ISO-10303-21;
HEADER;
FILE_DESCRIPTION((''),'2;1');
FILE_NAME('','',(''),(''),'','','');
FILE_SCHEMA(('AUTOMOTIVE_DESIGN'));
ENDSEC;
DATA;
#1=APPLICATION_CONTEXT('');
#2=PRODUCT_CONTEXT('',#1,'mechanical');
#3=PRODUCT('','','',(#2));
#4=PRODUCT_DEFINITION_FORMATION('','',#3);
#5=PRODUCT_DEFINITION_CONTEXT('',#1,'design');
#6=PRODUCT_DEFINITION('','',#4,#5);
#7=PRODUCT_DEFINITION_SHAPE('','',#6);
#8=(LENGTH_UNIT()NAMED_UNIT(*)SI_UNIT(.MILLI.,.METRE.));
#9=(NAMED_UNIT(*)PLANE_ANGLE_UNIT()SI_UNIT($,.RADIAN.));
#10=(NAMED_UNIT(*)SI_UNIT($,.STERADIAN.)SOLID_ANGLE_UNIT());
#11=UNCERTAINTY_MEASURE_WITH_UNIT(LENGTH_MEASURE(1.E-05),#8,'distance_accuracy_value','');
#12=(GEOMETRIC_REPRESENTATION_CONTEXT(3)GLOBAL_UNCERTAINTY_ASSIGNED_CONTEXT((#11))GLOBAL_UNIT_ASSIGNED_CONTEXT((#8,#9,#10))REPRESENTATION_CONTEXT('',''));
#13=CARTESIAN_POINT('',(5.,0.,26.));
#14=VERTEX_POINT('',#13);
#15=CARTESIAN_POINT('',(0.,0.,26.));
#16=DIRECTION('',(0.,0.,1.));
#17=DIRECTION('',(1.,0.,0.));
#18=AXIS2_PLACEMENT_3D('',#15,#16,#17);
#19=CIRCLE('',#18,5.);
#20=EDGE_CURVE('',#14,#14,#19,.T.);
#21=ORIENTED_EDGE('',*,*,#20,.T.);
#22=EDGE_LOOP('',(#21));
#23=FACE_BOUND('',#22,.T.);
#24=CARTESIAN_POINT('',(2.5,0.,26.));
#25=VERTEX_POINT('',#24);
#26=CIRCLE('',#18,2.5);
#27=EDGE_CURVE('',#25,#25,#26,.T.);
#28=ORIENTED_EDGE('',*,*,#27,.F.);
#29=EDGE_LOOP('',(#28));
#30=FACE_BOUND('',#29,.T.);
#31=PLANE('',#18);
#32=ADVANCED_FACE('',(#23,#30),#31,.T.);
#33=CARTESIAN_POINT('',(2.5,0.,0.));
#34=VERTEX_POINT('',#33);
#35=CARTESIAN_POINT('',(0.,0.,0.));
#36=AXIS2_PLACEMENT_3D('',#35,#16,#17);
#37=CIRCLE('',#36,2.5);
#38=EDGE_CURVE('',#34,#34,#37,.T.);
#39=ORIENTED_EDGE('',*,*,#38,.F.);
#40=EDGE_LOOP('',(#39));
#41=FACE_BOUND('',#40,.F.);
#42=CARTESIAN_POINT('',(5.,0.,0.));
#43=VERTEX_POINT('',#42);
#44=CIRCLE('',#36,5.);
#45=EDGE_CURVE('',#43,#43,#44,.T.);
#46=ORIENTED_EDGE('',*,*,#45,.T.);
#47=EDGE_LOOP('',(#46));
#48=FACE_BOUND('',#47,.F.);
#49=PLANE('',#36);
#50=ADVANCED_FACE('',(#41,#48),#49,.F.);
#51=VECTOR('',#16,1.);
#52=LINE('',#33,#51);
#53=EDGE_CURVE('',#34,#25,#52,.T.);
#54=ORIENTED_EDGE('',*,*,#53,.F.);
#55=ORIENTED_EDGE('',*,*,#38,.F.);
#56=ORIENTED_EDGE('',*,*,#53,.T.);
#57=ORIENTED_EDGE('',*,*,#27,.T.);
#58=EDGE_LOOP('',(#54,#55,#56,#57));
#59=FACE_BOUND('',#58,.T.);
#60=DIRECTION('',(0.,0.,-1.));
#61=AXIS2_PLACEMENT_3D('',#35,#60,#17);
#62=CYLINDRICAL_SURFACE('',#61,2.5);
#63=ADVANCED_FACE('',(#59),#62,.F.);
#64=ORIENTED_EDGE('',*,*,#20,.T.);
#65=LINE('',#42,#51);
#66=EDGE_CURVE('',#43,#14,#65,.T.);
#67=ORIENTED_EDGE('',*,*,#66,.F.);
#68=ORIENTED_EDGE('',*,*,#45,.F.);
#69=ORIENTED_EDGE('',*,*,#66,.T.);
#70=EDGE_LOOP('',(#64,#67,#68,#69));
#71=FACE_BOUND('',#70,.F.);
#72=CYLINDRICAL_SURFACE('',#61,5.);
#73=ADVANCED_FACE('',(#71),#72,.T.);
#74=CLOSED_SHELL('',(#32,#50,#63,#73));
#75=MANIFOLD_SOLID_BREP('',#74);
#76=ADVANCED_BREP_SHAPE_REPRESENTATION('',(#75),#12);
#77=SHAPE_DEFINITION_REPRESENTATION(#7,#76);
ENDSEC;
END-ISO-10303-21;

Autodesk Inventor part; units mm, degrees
ref_plane "YZ Plane" through (0, 0, 0) normal (1, 0, 0) x (0, 1, 0)
ref_plane "XZ Plane" through (0, 0, 0) normal (0, 1, 0) x (-1, 0, 0)
ref_plane "XY Plane" through (0, 0, 0) normal (0, 0, 1) x (1, 0, 0)
sketch "スケッチ1" plane through (0, 0, 0) normal (0, 0, 1) x (1, 0, 0)
  circle A0 centre (0, 0) radius 5
  circle A1 centre (0, 0) radius 2.5
  dimension "d0" = 10
  dimension "d1" = 5
extrude "押し出し1" add sketch "スケッチ1" along normal blind 26
properties part number "スペーサー自作m5,26" material "アルミニウム 7075"
